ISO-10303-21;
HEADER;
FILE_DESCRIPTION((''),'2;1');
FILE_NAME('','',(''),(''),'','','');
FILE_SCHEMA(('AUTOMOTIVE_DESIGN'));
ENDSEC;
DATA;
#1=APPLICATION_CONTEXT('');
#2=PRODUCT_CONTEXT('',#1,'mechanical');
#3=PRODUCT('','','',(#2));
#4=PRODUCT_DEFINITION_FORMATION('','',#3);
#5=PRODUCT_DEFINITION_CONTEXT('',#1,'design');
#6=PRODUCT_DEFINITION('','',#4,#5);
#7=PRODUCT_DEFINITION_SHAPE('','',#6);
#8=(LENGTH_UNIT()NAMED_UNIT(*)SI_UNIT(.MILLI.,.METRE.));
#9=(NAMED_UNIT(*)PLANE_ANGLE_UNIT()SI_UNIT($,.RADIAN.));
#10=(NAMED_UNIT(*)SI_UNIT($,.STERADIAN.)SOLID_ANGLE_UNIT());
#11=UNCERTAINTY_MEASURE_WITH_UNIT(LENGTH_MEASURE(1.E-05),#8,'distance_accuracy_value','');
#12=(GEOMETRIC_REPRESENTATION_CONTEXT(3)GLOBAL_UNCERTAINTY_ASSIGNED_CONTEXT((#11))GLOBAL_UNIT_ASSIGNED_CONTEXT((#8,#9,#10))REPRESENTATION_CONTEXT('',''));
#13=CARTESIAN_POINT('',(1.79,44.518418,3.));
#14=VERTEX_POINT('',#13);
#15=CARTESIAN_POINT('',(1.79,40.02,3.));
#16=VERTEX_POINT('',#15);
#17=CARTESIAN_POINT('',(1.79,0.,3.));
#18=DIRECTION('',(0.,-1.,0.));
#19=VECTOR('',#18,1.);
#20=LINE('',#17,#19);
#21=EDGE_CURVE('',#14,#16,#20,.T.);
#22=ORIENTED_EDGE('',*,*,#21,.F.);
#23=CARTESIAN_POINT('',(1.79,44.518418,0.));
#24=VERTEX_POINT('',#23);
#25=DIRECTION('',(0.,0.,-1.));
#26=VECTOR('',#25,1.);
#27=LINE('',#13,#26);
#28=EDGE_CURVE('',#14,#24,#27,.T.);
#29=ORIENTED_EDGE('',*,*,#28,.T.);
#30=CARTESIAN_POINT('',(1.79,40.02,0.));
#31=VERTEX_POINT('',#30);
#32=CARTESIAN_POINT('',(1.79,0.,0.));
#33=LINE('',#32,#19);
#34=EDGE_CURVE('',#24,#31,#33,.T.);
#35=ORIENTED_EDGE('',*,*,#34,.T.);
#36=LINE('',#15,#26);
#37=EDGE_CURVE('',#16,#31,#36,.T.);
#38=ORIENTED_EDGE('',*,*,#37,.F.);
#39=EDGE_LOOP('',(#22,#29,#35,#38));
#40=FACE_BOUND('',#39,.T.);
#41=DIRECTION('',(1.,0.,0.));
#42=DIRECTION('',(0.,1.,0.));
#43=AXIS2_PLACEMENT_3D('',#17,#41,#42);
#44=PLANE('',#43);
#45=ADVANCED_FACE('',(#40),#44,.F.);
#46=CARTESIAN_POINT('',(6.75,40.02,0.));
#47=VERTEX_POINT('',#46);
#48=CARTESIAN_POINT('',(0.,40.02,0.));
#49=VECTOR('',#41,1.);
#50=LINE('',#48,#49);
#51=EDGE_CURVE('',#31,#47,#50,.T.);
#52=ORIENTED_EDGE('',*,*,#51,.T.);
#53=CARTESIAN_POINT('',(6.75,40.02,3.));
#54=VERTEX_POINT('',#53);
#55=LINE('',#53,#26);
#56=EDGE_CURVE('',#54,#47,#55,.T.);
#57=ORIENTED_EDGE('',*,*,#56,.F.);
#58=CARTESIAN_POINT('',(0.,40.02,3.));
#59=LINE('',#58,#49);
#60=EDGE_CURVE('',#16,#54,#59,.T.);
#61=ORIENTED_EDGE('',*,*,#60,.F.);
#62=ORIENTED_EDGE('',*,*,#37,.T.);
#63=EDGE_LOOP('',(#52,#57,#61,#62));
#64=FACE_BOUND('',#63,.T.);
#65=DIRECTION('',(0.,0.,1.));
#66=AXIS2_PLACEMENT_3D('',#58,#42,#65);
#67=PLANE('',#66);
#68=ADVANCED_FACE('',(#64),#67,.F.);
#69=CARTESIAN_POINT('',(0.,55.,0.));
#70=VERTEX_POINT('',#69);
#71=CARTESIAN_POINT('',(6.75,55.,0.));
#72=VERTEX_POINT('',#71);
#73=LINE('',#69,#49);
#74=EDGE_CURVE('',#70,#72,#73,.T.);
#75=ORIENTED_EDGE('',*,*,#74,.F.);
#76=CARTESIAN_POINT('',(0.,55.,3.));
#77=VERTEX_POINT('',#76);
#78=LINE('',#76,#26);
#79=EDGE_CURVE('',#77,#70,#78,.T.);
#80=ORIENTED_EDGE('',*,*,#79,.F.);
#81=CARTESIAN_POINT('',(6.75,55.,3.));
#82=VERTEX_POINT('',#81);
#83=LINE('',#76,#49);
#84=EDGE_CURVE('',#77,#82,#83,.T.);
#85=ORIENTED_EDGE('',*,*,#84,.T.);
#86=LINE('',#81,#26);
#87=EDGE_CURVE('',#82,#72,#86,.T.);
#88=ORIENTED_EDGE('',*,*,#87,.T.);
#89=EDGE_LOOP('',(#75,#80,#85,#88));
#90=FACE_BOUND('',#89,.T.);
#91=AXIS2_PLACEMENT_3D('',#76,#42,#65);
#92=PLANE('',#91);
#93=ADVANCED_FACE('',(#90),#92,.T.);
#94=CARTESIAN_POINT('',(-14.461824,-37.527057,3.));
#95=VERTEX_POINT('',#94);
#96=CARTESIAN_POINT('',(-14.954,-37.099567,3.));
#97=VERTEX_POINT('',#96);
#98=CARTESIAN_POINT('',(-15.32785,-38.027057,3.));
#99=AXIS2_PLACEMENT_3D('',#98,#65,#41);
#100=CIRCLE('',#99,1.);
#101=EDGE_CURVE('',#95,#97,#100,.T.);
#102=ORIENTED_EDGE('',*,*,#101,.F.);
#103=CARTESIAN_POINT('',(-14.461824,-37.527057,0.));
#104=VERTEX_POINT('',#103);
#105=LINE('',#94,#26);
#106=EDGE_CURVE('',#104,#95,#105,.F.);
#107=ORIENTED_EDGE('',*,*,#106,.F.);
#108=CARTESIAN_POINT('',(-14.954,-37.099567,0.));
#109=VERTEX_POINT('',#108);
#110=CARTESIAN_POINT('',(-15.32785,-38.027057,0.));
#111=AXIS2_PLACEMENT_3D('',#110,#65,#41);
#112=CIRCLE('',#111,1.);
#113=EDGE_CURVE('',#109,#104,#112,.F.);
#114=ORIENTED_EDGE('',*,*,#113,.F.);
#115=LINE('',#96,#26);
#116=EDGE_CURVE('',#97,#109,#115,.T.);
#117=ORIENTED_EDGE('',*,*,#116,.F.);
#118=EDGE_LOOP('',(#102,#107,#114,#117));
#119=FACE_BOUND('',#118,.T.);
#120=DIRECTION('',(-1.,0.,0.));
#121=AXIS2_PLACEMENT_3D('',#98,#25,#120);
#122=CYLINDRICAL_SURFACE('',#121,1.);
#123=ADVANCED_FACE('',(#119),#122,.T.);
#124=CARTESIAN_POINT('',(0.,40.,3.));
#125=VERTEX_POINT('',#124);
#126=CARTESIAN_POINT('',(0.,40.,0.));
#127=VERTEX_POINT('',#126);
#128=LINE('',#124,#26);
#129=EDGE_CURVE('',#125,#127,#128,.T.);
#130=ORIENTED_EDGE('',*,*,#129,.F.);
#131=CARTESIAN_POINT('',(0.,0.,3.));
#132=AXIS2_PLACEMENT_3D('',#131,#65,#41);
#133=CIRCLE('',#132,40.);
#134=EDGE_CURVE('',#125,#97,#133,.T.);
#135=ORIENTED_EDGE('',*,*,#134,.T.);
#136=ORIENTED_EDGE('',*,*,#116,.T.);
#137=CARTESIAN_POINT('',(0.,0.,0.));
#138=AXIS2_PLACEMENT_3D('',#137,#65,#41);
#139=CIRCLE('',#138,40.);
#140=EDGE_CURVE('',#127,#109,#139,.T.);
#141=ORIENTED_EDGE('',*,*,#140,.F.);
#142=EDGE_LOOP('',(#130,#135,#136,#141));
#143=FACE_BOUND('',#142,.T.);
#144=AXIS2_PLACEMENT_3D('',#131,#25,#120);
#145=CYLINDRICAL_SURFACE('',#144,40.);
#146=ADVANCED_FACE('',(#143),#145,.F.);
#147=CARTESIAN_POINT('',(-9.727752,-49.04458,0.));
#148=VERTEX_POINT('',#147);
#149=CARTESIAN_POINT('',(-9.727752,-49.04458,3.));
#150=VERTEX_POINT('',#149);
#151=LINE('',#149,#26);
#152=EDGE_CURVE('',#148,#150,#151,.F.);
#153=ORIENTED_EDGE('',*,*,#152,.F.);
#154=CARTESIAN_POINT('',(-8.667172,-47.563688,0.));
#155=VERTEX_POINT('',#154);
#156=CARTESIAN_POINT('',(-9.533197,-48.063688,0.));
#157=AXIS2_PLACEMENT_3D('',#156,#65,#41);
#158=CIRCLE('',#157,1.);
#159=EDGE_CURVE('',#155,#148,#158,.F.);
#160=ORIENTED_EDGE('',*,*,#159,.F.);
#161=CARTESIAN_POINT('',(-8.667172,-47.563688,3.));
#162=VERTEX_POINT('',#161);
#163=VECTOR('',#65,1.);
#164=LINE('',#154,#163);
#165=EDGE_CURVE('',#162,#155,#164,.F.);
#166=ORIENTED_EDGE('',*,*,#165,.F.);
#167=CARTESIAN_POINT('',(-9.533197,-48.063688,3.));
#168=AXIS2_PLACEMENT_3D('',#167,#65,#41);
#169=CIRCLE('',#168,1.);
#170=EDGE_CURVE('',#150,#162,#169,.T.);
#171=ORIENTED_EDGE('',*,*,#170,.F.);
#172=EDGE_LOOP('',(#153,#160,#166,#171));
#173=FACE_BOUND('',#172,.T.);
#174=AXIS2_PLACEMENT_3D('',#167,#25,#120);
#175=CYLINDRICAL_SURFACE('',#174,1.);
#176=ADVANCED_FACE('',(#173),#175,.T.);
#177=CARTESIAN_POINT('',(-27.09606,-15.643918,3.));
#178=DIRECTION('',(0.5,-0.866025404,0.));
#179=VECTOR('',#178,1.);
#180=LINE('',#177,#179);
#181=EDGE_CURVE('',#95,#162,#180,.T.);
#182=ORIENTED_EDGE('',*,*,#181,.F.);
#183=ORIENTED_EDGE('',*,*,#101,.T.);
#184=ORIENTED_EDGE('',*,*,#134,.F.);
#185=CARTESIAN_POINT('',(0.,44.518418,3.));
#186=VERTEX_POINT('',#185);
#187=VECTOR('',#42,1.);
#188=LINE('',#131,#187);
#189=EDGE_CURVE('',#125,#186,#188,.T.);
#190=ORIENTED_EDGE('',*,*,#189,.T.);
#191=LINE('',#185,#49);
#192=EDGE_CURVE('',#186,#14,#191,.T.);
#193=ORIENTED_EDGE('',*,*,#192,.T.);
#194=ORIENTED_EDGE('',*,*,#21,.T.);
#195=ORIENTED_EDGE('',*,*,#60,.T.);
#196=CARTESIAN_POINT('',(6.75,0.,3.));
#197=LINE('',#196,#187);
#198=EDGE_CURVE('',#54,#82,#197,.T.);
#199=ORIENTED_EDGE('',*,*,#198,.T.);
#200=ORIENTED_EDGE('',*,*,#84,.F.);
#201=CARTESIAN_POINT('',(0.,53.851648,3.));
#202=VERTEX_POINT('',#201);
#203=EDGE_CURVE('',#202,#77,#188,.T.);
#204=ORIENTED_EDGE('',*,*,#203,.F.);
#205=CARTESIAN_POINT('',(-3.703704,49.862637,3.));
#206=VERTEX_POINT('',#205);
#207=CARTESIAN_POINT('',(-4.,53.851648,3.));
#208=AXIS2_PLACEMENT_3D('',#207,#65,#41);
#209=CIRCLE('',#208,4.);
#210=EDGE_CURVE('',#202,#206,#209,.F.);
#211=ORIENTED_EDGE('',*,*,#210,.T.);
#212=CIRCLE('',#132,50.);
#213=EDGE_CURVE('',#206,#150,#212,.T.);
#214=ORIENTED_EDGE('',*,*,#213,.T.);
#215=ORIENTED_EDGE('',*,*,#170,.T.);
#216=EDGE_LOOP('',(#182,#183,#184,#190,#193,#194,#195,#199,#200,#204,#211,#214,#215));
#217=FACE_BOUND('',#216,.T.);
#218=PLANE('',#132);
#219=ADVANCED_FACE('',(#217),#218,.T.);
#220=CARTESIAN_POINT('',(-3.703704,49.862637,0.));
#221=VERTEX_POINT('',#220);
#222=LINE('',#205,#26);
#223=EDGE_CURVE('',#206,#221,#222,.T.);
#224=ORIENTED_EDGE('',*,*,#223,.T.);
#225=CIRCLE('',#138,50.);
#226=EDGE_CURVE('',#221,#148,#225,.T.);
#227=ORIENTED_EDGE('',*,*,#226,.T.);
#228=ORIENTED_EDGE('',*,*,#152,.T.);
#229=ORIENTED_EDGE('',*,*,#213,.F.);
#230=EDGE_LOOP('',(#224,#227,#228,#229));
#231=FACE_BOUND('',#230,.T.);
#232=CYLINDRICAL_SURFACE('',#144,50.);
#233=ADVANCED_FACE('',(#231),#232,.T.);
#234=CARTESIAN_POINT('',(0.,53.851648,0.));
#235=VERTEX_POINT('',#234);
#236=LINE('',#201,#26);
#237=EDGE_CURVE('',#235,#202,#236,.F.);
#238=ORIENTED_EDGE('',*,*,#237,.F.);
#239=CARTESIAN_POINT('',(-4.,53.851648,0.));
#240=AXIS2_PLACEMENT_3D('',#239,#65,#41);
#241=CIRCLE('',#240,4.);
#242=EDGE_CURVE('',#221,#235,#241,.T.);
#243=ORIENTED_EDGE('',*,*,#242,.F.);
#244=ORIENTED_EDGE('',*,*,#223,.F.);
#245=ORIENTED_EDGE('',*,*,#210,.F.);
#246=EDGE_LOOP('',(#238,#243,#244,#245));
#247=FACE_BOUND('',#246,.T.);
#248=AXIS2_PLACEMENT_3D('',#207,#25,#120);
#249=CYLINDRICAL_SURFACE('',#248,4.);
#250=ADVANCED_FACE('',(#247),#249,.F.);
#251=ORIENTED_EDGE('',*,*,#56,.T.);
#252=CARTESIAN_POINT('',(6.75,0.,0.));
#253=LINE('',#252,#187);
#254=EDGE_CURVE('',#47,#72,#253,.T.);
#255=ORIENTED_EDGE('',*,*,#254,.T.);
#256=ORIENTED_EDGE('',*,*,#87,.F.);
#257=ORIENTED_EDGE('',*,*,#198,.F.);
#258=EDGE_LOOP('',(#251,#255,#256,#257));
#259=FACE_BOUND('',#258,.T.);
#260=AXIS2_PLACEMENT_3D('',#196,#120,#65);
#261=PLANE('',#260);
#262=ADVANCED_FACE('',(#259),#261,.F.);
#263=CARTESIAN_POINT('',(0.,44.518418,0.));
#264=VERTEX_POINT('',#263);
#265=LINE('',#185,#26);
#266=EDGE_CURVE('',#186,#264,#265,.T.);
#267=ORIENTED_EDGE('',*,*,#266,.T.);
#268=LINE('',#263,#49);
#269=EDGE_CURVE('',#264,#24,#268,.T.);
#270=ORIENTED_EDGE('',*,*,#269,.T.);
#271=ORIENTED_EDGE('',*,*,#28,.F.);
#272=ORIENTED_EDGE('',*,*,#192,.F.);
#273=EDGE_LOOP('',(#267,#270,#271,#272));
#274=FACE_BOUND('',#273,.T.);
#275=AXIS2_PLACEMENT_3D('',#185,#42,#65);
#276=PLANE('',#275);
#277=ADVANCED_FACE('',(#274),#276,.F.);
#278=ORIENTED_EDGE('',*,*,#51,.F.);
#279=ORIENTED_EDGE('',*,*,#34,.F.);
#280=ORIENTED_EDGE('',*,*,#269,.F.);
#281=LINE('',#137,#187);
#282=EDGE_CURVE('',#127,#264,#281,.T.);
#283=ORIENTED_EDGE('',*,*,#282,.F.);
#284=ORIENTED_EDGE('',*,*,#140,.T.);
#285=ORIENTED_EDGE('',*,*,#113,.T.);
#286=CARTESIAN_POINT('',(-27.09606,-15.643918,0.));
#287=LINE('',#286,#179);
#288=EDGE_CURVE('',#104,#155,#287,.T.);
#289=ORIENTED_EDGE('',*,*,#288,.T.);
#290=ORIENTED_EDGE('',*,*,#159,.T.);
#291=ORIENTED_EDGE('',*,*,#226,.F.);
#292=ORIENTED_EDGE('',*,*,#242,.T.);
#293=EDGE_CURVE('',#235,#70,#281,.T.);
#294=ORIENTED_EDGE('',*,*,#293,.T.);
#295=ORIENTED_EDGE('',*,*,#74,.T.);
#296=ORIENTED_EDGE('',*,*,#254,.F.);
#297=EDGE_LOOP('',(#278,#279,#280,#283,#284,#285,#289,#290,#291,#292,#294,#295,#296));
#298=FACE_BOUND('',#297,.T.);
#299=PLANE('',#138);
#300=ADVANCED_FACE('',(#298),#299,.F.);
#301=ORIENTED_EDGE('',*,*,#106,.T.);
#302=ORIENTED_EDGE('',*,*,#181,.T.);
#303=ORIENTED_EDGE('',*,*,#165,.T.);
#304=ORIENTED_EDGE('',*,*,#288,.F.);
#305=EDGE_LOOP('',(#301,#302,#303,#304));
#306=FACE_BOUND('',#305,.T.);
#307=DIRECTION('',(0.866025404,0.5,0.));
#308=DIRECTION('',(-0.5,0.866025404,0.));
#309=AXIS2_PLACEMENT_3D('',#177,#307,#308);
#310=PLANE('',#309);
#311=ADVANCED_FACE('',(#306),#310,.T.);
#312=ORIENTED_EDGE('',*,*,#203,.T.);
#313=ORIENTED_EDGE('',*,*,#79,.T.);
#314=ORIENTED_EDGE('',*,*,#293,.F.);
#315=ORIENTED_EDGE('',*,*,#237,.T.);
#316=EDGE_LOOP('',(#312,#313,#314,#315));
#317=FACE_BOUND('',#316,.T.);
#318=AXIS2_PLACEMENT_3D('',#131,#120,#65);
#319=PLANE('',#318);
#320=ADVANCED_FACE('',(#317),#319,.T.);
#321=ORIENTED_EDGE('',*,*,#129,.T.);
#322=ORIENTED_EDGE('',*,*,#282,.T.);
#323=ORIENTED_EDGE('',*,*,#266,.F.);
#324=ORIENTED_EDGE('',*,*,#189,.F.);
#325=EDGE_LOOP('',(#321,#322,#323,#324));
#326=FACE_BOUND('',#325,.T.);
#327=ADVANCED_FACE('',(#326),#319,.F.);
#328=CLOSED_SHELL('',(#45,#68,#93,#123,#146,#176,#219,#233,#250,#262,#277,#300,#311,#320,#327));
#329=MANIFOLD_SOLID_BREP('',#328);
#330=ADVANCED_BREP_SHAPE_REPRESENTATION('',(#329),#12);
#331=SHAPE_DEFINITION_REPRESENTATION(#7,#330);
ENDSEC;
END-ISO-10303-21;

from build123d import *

# Parameters (mm, degrees)
SKETCH1_W           = 6.75
SKETCH1_H           = 5
BOSS_EXTRUDE1_DEPTH = 3
FILLET3_R           = 1
FILLET4_R           = 1
FILLET6_R           = 4


with BuildPart() as part:
    # Sketch1 → Boss-Extrude1 (new body)
    with BuildSketch(Plane.XY):
        with Locations((3.375, 52.5)):
            Rectangle(SKETCH1_W, SKETCH1_H)
        with BuildLine():
            Line((0, 50), (6.75, 50))
            Line((6.75, 50), (6.75, 40.02))
            Line((6.75, 40.02), (1.79, 40.02))
            Line((1.79, 40.02), (1.79, 44.518418243))
            Line((1.79, 44.518418243), (0, 44.518418243))
            Line((0, 44.518418243), (0, 40))
            ThreePointArc((0, 40), (-39.300483317, 7.44795348), (-14.635408574, -37.226399448))
            Line((-14.635408574, -37.226399448), (-7.59560281, -49.419700707))
            ThreePointArc((-7.59560281, -49.419700707), (-49.854714097, 3.808868904), (0, 50))
        make_face()
    extrude(amount=BOSS_EXTRUDE1_DEPTH)

    # Fillet3
    fillet3_edges = [part.edges().sort_by_distance(p)[0] for p in [
        (-7.59560281, -49.419700707, 1.5),
    ]]
    fillet(fillet3_edges, radius=FILLET3_R)

    # Fillet4
    fillet4_edges = [part.edges().sort_by_distance(p)[0] for p in [
        (-14.635408574, -37.226399448, 1.5),
    ]]
    fillet(fillet4_edges, radius=FILLET4_R)

    # Fillet6
    fillet6_edges = [part.edges().sort_by_distance(p)[0] for p in [
        (0, 50, 1.5),
    ]]
    fillet(fillet6_edges, radius=FILLET6_R)


solid = part.part
